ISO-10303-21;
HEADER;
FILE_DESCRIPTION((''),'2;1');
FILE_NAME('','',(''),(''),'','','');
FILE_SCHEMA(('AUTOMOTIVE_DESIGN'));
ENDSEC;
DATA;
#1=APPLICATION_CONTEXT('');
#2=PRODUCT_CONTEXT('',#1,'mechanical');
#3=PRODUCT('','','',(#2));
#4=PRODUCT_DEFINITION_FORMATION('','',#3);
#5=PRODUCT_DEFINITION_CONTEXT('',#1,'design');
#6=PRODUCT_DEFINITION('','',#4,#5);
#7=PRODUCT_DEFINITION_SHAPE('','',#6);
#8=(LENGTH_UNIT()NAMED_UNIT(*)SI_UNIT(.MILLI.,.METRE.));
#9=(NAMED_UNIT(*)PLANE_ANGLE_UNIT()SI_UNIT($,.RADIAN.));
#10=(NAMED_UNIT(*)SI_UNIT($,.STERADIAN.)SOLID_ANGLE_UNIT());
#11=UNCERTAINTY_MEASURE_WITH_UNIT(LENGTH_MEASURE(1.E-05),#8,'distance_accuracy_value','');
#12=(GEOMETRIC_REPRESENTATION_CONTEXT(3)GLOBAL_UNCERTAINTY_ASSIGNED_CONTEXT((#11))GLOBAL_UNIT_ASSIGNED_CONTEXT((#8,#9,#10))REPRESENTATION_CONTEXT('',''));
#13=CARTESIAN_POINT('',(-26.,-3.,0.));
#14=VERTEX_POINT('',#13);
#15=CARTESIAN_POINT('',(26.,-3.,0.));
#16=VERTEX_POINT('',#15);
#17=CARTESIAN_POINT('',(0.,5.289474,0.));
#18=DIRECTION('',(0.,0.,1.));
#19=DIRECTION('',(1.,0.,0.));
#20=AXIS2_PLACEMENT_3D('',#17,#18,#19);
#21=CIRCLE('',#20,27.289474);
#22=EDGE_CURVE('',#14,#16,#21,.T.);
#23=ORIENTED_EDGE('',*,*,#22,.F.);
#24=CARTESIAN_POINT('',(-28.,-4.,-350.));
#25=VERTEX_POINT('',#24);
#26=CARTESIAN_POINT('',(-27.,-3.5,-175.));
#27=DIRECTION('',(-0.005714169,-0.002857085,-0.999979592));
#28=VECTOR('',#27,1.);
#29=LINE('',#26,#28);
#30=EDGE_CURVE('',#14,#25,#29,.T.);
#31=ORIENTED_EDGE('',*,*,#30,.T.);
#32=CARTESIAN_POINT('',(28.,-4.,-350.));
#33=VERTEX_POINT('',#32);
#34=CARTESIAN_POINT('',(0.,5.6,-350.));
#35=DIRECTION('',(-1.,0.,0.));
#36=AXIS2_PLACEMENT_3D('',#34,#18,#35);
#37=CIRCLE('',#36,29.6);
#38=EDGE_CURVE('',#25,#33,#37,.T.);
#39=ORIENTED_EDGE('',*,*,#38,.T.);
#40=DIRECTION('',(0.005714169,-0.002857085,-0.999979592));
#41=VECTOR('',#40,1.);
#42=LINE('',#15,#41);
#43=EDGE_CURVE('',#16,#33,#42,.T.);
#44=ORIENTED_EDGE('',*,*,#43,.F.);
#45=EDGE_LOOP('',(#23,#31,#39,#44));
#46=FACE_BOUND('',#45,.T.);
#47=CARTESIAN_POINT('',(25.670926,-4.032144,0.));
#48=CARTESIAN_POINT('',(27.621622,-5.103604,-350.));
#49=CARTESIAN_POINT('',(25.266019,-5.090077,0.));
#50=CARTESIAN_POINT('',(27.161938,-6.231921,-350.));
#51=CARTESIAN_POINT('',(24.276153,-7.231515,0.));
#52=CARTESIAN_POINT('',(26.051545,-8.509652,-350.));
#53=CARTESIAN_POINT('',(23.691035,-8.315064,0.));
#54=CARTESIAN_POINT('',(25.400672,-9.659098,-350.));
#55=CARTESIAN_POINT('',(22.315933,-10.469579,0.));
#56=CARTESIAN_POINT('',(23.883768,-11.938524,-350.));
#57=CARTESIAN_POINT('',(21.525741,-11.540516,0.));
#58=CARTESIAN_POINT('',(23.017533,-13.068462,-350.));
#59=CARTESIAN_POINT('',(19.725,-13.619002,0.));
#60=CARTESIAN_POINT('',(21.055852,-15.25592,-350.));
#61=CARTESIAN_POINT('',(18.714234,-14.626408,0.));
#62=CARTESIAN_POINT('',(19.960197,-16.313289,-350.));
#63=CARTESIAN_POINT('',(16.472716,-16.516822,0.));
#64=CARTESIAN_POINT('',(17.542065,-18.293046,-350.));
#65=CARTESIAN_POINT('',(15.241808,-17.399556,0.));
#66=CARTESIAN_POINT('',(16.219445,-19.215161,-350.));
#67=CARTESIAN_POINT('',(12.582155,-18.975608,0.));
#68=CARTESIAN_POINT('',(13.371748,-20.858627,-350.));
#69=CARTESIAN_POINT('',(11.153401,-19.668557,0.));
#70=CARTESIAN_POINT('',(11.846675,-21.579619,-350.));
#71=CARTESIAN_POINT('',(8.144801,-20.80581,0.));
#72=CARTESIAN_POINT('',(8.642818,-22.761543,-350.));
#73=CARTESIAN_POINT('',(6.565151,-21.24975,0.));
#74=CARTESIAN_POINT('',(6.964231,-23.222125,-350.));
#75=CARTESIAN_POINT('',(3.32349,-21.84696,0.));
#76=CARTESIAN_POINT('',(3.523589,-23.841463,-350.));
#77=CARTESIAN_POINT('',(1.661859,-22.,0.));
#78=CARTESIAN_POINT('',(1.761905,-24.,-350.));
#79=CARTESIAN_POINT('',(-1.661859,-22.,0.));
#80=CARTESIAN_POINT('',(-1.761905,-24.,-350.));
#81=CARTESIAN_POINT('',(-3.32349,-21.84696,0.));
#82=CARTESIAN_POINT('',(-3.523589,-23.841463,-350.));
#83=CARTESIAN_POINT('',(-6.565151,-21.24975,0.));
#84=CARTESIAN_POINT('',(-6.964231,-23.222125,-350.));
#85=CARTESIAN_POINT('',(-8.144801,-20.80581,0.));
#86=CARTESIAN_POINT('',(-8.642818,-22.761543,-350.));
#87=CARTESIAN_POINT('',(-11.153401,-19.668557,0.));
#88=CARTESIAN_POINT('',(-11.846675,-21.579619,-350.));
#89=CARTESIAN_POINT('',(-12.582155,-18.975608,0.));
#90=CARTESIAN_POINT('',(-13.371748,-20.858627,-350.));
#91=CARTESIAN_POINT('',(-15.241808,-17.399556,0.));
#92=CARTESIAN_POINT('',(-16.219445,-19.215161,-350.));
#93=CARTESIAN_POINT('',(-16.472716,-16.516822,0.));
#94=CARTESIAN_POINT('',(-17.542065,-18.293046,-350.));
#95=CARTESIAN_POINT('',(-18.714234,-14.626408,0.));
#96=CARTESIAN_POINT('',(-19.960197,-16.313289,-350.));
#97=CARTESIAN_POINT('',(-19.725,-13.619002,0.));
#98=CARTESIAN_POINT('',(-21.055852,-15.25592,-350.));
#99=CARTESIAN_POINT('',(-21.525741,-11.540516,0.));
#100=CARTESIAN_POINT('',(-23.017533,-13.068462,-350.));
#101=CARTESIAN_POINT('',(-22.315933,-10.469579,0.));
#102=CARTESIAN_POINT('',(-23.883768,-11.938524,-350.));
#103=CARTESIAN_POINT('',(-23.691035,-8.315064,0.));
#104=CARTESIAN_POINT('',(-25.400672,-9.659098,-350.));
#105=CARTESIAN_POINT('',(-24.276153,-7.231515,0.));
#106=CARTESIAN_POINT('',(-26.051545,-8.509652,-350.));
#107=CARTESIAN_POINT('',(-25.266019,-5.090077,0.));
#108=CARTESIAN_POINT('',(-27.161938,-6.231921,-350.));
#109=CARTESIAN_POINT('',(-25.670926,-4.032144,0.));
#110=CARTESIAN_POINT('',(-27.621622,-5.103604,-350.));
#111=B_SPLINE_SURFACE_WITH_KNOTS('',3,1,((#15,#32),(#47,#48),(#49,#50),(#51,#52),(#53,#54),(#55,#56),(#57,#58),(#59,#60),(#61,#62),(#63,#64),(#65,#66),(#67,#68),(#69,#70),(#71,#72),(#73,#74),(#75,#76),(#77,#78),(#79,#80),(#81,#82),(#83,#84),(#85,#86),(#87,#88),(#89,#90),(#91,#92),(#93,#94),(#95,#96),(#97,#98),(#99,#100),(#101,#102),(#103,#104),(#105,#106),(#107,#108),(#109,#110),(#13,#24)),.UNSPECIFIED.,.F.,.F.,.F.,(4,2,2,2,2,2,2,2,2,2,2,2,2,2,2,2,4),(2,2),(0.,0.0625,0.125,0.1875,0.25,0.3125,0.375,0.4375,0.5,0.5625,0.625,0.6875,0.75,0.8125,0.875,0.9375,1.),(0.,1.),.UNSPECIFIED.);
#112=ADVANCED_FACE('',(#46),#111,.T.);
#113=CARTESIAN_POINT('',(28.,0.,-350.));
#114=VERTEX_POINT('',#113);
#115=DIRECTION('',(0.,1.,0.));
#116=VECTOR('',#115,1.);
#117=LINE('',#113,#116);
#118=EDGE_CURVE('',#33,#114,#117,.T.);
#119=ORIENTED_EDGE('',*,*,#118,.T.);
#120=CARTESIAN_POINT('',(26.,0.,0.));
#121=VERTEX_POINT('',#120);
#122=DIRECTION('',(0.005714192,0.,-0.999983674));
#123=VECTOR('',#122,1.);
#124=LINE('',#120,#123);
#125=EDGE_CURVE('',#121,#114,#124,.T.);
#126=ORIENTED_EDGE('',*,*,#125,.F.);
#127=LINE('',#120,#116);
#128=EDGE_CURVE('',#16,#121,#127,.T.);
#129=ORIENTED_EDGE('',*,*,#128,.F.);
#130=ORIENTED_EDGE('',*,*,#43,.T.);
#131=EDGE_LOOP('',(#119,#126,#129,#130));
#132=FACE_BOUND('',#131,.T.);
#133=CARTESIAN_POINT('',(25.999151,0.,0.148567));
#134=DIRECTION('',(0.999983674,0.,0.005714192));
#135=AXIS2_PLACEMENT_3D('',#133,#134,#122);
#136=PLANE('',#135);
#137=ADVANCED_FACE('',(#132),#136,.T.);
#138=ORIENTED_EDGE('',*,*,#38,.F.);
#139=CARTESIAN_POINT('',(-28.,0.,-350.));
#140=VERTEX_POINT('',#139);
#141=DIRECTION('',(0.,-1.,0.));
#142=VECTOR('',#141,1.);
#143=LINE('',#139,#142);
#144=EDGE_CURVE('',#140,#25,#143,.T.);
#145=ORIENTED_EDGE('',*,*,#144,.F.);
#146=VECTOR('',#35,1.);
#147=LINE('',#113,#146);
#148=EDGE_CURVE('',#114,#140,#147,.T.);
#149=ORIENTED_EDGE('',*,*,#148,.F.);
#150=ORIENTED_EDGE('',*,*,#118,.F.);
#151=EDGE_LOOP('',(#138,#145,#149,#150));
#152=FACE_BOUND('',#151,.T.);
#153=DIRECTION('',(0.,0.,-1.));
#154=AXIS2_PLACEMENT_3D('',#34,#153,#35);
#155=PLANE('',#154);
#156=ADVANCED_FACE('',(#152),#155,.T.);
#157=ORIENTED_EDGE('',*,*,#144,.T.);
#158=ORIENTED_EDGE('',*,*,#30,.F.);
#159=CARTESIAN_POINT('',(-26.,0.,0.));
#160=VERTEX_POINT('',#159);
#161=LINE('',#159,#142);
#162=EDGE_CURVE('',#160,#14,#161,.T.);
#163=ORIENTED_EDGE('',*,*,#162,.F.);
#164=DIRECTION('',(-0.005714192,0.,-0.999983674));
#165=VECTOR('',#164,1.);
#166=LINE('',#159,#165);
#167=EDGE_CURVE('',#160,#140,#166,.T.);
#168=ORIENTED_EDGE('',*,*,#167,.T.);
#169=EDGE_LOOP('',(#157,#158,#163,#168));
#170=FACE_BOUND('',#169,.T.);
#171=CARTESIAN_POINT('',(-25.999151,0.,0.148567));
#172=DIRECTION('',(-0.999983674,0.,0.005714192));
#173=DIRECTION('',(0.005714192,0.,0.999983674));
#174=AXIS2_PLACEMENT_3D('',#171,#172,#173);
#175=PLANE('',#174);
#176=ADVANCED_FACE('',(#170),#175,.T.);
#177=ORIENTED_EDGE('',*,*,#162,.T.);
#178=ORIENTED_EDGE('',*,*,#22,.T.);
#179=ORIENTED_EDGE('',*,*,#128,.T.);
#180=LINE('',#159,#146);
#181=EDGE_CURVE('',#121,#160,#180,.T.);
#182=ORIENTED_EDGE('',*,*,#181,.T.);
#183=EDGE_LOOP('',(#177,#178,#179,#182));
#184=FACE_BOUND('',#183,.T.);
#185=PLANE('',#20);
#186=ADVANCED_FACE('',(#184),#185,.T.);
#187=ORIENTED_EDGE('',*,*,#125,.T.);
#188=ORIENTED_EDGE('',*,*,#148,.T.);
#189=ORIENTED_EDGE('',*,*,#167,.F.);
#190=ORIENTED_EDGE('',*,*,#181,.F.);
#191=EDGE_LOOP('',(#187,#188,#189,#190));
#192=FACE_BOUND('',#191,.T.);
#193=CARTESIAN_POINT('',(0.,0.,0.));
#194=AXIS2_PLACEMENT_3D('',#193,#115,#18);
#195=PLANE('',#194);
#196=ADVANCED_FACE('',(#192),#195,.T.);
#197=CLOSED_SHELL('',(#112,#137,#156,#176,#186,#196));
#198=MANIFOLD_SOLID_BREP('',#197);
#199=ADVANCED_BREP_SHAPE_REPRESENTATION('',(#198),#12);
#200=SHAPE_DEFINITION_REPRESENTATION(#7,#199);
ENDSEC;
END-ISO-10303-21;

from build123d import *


with BuildPart() as part:
    # Skica2 → Spojit profily1 section 0
    with BuildSketch(Plane.XY):
        with BuildLine():
            Line((-26, 0), (26, 0))
            Line((26, 0), (26, -3))
            ThreePointArc((26, -3), (0, -22), (-26, -3))
            Line((-26, -3), (-26, 0))
        make_face()
    # Skica3 → Spojit profily1 section 1
    with BuildSketch(Plane.XY.offset(-350)):
        with BuildLine():
            Line((28, 0), (-28, 0))
            Line((-28, 0), (-28, -4))
            ThreePointArc((-28, -4), (0, -24), (28, -4))
            Line((28, -4), (28, 0))
        make_face()
    loft()


solid = part.part
